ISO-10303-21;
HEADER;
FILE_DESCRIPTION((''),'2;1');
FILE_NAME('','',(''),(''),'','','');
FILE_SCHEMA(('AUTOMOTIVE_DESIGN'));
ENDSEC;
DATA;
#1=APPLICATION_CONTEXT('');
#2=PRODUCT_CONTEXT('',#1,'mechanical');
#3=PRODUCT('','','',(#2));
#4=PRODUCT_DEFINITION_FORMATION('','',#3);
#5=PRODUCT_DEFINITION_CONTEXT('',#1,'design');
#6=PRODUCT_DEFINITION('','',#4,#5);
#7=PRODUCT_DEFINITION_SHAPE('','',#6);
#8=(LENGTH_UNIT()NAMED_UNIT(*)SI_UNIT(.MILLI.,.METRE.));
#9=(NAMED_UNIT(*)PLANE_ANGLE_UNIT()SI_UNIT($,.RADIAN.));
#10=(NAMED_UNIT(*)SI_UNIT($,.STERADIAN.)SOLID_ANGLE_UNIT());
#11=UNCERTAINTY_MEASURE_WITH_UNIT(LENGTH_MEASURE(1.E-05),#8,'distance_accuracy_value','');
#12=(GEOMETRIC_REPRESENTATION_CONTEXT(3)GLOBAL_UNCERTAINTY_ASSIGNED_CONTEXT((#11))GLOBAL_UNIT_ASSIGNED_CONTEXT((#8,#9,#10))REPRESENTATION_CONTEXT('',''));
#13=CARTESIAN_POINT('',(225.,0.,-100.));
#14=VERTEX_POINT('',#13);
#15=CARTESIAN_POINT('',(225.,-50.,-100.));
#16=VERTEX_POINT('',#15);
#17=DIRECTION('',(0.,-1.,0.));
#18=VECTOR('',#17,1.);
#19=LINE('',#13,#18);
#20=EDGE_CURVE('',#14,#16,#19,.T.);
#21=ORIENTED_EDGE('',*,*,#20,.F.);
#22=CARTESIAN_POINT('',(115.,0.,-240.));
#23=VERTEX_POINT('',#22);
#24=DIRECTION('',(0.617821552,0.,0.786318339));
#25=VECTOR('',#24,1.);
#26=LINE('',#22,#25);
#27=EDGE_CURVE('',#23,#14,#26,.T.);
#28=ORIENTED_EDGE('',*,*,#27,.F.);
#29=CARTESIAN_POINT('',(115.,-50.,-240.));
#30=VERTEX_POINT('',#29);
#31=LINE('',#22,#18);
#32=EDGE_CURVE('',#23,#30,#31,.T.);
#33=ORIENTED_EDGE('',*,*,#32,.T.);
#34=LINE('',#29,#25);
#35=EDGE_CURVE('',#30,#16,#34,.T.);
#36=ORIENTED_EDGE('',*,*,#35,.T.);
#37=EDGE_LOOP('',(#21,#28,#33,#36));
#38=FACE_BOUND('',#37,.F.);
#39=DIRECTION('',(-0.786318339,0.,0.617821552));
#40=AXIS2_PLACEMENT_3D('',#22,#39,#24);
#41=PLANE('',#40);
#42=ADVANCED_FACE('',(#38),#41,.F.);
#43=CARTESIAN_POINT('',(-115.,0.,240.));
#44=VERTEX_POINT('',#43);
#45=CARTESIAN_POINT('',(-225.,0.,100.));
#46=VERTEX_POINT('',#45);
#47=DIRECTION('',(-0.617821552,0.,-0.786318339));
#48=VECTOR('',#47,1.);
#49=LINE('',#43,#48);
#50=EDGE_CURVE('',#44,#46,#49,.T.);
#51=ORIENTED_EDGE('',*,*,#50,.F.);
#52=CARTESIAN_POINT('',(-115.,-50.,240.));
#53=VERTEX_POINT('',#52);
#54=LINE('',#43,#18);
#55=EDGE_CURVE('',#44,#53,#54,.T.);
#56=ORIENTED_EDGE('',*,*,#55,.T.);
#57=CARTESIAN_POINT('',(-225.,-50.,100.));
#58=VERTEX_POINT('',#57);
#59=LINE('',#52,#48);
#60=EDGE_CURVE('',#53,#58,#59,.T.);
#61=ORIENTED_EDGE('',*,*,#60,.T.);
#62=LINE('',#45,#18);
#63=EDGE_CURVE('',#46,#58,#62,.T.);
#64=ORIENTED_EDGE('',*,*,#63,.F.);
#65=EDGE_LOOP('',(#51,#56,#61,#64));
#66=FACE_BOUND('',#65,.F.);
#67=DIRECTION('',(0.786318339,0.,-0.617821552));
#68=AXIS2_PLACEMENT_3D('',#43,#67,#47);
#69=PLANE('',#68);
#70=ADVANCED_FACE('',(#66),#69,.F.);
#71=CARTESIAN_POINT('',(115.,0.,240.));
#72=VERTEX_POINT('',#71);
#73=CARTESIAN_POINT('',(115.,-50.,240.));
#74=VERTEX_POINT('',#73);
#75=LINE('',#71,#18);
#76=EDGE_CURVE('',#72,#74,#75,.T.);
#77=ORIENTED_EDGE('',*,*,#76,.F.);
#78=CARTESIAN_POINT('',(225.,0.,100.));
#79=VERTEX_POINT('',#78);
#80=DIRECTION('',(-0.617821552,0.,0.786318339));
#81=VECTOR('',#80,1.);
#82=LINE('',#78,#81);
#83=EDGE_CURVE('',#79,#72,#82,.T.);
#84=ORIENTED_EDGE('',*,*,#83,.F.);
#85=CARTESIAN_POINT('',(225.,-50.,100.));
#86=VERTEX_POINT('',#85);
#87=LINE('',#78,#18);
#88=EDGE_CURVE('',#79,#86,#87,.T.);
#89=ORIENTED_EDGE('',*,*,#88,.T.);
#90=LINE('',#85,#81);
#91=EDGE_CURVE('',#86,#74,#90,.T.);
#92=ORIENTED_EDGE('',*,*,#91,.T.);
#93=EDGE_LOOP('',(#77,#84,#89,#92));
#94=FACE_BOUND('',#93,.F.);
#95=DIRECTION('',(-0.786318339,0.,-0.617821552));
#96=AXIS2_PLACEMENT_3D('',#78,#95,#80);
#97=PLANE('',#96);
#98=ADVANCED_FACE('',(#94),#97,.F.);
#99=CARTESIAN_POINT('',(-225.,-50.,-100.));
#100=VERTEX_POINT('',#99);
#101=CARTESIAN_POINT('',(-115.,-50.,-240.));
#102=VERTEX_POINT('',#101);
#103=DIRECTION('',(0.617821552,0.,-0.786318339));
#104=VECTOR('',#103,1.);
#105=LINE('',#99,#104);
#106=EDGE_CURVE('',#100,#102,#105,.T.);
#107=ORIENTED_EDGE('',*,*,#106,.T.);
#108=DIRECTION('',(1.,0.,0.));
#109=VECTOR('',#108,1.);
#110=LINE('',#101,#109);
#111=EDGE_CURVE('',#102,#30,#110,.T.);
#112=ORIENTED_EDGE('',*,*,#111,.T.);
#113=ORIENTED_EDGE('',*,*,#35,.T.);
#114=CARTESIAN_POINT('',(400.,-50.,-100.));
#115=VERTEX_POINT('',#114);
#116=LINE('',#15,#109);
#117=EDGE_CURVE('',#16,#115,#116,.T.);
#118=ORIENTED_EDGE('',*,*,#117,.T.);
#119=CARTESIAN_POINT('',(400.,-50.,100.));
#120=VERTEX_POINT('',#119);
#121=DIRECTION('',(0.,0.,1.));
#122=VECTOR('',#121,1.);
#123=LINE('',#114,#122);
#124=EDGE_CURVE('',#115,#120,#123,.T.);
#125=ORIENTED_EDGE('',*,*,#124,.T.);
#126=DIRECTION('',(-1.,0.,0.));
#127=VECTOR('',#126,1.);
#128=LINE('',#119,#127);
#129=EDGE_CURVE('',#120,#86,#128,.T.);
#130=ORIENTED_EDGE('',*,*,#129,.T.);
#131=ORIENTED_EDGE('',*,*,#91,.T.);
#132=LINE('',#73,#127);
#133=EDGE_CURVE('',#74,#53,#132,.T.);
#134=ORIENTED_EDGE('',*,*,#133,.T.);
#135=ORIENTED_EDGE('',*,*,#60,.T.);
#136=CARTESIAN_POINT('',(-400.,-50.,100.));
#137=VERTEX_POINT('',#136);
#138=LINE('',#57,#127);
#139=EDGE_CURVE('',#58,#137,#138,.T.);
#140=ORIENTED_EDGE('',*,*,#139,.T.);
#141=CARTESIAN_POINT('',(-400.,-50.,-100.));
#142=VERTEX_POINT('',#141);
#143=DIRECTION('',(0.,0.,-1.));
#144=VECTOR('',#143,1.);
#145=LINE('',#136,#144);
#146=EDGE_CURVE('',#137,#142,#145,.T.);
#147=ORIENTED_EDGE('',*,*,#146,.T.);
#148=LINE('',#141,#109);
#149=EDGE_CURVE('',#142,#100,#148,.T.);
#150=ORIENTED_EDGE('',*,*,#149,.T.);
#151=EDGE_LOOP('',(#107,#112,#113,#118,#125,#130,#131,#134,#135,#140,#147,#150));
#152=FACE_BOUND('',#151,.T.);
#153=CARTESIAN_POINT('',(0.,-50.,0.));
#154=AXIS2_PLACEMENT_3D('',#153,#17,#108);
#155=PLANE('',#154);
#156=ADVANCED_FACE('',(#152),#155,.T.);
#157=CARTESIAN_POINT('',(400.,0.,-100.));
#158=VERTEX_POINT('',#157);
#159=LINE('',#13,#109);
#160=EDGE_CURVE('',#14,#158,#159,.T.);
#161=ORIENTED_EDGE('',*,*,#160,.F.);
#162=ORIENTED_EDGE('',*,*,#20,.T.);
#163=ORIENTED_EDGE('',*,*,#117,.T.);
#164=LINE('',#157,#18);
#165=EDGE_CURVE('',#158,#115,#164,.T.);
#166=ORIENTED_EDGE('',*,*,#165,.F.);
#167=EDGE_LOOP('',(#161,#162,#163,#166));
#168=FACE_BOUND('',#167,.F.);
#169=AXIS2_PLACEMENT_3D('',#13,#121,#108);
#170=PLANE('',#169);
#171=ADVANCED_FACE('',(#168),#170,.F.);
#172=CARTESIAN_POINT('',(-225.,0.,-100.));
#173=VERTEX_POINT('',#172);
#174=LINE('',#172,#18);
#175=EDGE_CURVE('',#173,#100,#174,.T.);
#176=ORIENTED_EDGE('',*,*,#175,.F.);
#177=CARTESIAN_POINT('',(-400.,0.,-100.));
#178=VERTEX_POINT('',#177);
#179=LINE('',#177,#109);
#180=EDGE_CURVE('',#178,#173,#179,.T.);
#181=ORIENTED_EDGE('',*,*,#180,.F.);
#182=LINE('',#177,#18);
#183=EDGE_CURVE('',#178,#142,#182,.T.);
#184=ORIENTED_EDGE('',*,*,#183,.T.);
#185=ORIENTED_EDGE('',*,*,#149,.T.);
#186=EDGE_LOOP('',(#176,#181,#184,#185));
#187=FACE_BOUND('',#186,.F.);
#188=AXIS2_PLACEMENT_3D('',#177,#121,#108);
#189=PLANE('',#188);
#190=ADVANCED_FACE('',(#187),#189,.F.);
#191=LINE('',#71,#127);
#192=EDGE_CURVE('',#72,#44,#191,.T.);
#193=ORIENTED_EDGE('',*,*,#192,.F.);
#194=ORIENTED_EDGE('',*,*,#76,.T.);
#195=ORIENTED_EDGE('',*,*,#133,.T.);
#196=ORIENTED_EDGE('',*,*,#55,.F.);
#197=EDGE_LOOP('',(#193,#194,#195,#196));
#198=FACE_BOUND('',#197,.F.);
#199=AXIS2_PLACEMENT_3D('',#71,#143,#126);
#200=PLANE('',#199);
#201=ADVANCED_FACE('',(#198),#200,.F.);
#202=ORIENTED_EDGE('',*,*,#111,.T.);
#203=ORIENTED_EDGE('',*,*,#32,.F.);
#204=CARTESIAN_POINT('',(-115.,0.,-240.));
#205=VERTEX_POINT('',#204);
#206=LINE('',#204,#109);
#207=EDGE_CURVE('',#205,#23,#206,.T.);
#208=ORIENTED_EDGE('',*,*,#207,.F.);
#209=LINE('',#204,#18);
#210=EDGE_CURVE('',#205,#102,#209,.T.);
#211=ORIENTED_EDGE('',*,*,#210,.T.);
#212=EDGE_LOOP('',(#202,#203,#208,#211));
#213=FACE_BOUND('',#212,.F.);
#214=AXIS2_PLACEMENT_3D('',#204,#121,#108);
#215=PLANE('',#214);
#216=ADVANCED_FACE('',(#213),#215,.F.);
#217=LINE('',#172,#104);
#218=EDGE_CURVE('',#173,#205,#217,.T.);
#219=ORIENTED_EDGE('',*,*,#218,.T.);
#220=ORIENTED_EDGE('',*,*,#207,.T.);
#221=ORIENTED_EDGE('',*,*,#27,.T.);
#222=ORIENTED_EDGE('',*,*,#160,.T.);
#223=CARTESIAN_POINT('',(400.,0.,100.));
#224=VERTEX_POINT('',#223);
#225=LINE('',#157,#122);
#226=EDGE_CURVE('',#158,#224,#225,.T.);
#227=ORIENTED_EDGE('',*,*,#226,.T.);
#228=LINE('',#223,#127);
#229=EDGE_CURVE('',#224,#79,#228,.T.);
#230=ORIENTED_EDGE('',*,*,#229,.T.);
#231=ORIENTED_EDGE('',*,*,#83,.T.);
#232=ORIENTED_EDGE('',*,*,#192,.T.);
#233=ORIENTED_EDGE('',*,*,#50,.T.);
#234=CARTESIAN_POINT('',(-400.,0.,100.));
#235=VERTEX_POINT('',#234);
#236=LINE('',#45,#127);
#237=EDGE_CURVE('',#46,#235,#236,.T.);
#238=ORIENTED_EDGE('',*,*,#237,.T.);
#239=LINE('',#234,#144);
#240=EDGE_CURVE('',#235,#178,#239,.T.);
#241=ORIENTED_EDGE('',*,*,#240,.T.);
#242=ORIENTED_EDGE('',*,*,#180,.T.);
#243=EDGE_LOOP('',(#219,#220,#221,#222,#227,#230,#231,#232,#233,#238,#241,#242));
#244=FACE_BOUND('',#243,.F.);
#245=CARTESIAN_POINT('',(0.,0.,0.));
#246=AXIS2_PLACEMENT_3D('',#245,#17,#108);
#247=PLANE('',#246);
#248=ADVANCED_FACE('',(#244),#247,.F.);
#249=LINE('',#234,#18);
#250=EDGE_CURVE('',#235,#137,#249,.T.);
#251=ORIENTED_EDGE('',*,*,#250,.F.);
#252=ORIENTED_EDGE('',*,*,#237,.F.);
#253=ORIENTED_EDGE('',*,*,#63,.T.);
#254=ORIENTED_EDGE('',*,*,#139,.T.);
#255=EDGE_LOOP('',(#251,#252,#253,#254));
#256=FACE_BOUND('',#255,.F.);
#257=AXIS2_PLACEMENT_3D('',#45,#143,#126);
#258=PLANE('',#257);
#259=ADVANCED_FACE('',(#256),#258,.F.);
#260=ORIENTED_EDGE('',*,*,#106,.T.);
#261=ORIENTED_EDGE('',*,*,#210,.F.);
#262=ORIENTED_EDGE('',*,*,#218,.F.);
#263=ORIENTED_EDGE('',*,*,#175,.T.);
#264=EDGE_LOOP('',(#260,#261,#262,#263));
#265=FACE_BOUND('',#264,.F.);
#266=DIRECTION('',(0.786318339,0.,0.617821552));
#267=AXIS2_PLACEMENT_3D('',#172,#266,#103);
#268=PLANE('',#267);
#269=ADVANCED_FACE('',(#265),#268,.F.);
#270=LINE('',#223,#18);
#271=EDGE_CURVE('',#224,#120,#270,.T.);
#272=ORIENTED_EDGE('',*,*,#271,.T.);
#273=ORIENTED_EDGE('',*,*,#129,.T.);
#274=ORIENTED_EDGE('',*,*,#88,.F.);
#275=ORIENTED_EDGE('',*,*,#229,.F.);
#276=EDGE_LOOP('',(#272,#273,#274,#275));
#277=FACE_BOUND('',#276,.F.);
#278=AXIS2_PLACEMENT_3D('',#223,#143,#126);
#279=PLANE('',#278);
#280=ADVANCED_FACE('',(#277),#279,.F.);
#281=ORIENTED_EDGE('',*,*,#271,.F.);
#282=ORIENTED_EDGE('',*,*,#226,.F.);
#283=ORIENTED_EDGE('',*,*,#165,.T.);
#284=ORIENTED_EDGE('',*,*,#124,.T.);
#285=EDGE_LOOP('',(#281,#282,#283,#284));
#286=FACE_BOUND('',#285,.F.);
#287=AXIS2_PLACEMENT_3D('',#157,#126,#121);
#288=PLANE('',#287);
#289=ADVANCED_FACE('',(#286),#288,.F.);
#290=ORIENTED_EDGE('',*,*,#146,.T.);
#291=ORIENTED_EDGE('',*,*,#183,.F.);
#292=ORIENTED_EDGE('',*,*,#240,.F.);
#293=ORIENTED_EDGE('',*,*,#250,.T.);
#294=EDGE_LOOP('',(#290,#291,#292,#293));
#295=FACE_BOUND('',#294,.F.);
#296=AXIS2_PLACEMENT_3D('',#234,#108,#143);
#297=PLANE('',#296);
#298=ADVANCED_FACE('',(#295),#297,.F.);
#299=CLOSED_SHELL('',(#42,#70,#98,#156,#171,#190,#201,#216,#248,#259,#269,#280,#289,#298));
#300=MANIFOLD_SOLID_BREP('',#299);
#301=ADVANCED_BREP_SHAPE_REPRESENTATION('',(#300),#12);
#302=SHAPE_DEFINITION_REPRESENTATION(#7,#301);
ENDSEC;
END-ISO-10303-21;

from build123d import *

# Parameters (mm, degrees)
F0_R     = 200
F1_DEPTH = 50


with BuildPart() as f1:
    # F0 (on Front) → F1 (new body)
    with BuildSketch(Plane.XZ):
        Polygon((-400, 100), (-400, 0), (-400, -100), (-225, -100), (-115, -240), (0, -240), (115, -240), (225, -100), (400, -100), (400, 0), (400, 100), (225, 100), (115, 240), (0, 240), (-115, 240), (-225, 100), align=None)
        Circle(F0_R, mode=Mode.SUBTRACT)
        Circle(F0_R)
    extrude(amount=F1_DEPTH)


solid = f1.part
